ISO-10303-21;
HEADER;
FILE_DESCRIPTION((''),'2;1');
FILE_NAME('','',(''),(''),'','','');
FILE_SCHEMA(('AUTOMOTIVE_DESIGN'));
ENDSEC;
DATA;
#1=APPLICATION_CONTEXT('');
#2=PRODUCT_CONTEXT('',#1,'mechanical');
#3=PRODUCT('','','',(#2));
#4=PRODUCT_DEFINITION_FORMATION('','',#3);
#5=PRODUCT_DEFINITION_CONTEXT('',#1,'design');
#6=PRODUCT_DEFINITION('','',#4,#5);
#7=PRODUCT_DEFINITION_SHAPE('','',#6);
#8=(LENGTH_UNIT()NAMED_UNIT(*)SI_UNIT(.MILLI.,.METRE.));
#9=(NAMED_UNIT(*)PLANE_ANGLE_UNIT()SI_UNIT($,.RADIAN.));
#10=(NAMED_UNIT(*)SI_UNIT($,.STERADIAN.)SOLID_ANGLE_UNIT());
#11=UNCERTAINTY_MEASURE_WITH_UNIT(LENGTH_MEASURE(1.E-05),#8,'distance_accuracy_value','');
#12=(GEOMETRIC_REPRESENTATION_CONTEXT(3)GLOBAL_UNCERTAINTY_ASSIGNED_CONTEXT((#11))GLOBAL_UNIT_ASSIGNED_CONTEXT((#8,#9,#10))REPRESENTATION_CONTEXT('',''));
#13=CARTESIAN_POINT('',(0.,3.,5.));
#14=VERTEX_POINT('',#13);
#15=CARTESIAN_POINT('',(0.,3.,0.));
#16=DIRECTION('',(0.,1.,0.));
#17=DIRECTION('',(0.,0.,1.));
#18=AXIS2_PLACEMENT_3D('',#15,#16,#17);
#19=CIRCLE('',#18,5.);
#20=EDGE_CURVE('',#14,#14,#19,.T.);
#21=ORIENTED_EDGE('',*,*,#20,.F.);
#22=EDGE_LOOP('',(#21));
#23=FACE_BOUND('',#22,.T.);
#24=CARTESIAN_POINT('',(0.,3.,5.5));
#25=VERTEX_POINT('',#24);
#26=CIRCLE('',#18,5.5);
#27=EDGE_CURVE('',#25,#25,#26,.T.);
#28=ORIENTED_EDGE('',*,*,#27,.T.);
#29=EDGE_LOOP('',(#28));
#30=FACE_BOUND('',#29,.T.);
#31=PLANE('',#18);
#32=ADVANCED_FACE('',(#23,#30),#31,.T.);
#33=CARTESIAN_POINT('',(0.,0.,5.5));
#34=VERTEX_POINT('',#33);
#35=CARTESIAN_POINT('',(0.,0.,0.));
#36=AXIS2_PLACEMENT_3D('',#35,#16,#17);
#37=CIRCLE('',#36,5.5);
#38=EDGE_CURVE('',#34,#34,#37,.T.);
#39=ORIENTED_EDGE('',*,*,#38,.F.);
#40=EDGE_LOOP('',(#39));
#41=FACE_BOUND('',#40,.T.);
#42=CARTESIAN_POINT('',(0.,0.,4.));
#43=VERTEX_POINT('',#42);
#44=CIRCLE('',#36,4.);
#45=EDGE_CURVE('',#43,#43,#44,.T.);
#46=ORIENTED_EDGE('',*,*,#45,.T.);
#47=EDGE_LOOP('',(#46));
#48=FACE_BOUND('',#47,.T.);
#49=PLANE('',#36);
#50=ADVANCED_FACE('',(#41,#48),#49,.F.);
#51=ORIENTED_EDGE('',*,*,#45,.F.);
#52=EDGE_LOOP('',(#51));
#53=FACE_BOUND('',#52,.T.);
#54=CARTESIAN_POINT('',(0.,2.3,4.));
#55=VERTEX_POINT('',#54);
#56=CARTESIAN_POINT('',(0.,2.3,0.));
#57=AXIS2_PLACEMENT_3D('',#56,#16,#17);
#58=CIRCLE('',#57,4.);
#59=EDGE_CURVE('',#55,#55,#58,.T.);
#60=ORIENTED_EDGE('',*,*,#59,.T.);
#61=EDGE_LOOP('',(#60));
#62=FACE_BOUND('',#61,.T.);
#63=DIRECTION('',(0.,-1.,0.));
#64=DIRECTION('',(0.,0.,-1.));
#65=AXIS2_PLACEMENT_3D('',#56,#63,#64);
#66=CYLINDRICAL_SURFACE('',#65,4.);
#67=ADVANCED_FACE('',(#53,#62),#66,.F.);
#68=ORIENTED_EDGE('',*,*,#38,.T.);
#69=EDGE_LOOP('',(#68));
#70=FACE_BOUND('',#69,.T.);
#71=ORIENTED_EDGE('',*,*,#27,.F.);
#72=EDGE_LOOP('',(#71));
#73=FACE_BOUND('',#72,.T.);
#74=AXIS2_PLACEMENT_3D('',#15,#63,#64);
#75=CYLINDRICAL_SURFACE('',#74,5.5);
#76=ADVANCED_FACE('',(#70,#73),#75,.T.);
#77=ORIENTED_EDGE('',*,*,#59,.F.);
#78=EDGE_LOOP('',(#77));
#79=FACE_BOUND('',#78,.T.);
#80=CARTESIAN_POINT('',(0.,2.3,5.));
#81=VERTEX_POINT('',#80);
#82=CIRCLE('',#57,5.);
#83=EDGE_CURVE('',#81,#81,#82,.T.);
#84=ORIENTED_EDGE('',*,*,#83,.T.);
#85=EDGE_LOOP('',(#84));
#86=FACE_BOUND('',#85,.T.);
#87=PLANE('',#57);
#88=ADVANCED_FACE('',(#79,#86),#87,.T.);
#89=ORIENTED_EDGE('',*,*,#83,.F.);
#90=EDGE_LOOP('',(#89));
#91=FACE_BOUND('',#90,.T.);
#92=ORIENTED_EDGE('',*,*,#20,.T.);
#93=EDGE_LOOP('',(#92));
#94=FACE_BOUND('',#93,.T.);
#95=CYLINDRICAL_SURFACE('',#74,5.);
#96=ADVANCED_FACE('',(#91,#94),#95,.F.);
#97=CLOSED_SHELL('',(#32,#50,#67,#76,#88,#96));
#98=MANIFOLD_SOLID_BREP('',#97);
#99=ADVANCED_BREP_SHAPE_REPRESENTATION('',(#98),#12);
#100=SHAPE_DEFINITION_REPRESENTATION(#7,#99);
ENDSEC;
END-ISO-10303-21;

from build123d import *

# Parameters (mm, degrees)
SKETCH_1_R      = 5.5
SKETCH_1_R_2    = 5
EXTRUDE_1_DEPTH = 3
SKETCH_1_3_R    = 5
SKETCH_1_3_R_2  = 4
EXTRUDE_2_DEPTH = 2.3


with BuildPart() as part:
    # 草图1 → 凸台-拉伸1 (new body)
    with BuildSketch(Plane(origin=(0, 0, 0), x_dir=(1, 0, 0), z_dir=(0, 1, 0))):
        Circle(SKETCH_1_R)
        Circle(SKETCH_1_R_2, mode=Mode.SUBTRACT)
    extrude(amount=EXTRUDE_1_DEPTH)

    # 草图1<3> → 凸台-拉伸2 (add)
    with BuildSketch(Plane(origin=(0, 0, 0), x_dir=(1, 0, 0), z_dir=(0, 1, 0))):
        Circle(SKETCH_1_3_R)
        Circle(SKETCH_1_3_R_2, mode=Mode.SUBTRACT)
    extrude(amount=EXTRUDE_2_DEPTH)


solid = part.part
